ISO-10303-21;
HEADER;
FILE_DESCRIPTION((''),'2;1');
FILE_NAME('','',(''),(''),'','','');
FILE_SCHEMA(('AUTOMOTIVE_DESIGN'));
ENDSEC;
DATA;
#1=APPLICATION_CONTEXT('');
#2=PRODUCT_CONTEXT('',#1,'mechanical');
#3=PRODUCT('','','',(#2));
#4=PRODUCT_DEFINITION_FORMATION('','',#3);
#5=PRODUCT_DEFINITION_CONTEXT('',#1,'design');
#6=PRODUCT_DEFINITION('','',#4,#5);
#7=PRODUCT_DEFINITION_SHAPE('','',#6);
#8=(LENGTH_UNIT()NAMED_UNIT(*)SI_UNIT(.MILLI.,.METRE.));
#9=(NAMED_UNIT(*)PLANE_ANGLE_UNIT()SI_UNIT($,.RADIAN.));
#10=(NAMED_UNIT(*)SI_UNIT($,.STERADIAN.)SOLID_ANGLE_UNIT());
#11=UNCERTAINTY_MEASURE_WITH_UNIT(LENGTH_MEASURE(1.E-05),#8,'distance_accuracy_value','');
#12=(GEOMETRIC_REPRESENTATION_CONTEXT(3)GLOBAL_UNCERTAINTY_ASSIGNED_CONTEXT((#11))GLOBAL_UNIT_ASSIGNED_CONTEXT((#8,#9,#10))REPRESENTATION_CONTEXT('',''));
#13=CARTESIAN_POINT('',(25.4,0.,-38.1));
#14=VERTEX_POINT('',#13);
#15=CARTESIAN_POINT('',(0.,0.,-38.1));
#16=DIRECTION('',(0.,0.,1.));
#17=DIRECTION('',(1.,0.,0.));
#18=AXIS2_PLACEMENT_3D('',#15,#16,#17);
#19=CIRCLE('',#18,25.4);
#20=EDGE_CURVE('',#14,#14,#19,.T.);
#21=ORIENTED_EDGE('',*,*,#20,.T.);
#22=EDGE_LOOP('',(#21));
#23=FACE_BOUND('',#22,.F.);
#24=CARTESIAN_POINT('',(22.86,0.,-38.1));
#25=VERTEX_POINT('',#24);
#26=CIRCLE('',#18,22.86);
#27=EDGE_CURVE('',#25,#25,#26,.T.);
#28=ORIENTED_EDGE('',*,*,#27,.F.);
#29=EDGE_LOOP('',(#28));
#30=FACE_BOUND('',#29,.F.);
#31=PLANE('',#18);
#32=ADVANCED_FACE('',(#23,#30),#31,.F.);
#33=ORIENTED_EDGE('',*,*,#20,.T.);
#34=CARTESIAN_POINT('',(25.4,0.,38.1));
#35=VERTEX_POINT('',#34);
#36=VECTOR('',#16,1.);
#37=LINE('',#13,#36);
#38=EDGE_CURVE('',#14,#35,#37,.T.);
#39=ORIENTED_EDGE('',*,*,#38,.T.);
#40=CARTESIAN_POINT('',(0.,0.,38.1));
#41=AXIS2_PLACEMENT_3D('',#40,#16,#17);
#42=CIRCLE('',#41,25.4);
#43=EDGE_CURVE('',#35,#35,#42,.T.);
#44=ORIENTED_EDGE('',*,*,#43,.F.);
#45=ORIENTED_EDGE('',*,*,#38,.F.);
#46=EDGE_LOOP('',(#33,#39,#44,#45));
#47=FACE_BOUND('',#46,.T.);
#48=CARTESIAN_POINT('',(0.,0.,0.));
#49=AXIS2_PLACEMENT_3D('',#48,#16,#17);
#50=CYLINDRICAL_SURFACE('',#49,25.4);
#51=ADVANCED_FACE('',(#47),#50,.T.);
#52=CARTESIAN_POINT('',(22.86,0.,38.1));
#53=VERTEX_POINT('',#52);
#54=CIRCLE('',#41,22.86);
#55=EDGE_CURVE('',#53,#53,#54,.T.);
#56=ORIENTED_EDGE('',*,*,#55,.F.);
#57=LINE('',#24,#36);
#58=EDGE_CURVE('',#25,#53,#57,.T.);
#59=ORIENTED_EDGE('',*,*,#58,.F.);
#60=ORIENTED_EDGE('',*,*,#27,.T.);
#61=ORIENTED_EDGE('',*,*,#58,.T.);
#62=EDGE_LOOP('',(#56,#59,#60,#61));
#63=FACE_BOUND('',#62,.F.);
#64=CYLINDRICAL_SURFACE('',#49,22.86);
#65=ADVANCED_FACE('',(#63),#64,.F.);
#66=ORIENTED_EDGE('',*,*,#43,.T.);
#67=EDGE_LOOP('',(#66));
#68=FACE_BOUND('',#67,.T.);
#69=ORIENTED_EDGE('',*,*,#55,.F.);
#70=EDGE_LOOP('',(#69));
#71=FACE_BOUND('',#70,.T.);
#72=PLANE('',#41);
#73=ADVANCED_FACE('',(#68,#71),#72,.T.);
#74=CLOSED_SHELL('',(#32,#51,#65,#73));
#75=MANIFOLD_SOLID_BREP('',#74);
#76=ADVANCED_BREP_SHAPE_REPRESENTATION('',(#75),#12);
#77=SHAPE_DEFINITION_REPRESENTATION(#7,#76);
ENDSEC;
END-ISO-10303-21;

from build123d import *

# Parameters (mm, degrees)
F0_R     = 25.4
F1_DEPTH = 38.1
F2_T     = -2.54


with BuildPart() as f1:
    # F0 (on Top) → F1 (new body, symmetric)
    with BuildSketch(Plane.XY):
        Circle(F0_R)
    extrude(amount=F1_DEPTH, both=True)

    # F2
    f2_openings = [f1.faces().sort_by_distance(p)[0] for p in [
        (0, 0, 38.1),
        (0, 0, -38.1),
    ]]
    offset(amount=F2_T, openings=f2_openings)


solid = f1.part
